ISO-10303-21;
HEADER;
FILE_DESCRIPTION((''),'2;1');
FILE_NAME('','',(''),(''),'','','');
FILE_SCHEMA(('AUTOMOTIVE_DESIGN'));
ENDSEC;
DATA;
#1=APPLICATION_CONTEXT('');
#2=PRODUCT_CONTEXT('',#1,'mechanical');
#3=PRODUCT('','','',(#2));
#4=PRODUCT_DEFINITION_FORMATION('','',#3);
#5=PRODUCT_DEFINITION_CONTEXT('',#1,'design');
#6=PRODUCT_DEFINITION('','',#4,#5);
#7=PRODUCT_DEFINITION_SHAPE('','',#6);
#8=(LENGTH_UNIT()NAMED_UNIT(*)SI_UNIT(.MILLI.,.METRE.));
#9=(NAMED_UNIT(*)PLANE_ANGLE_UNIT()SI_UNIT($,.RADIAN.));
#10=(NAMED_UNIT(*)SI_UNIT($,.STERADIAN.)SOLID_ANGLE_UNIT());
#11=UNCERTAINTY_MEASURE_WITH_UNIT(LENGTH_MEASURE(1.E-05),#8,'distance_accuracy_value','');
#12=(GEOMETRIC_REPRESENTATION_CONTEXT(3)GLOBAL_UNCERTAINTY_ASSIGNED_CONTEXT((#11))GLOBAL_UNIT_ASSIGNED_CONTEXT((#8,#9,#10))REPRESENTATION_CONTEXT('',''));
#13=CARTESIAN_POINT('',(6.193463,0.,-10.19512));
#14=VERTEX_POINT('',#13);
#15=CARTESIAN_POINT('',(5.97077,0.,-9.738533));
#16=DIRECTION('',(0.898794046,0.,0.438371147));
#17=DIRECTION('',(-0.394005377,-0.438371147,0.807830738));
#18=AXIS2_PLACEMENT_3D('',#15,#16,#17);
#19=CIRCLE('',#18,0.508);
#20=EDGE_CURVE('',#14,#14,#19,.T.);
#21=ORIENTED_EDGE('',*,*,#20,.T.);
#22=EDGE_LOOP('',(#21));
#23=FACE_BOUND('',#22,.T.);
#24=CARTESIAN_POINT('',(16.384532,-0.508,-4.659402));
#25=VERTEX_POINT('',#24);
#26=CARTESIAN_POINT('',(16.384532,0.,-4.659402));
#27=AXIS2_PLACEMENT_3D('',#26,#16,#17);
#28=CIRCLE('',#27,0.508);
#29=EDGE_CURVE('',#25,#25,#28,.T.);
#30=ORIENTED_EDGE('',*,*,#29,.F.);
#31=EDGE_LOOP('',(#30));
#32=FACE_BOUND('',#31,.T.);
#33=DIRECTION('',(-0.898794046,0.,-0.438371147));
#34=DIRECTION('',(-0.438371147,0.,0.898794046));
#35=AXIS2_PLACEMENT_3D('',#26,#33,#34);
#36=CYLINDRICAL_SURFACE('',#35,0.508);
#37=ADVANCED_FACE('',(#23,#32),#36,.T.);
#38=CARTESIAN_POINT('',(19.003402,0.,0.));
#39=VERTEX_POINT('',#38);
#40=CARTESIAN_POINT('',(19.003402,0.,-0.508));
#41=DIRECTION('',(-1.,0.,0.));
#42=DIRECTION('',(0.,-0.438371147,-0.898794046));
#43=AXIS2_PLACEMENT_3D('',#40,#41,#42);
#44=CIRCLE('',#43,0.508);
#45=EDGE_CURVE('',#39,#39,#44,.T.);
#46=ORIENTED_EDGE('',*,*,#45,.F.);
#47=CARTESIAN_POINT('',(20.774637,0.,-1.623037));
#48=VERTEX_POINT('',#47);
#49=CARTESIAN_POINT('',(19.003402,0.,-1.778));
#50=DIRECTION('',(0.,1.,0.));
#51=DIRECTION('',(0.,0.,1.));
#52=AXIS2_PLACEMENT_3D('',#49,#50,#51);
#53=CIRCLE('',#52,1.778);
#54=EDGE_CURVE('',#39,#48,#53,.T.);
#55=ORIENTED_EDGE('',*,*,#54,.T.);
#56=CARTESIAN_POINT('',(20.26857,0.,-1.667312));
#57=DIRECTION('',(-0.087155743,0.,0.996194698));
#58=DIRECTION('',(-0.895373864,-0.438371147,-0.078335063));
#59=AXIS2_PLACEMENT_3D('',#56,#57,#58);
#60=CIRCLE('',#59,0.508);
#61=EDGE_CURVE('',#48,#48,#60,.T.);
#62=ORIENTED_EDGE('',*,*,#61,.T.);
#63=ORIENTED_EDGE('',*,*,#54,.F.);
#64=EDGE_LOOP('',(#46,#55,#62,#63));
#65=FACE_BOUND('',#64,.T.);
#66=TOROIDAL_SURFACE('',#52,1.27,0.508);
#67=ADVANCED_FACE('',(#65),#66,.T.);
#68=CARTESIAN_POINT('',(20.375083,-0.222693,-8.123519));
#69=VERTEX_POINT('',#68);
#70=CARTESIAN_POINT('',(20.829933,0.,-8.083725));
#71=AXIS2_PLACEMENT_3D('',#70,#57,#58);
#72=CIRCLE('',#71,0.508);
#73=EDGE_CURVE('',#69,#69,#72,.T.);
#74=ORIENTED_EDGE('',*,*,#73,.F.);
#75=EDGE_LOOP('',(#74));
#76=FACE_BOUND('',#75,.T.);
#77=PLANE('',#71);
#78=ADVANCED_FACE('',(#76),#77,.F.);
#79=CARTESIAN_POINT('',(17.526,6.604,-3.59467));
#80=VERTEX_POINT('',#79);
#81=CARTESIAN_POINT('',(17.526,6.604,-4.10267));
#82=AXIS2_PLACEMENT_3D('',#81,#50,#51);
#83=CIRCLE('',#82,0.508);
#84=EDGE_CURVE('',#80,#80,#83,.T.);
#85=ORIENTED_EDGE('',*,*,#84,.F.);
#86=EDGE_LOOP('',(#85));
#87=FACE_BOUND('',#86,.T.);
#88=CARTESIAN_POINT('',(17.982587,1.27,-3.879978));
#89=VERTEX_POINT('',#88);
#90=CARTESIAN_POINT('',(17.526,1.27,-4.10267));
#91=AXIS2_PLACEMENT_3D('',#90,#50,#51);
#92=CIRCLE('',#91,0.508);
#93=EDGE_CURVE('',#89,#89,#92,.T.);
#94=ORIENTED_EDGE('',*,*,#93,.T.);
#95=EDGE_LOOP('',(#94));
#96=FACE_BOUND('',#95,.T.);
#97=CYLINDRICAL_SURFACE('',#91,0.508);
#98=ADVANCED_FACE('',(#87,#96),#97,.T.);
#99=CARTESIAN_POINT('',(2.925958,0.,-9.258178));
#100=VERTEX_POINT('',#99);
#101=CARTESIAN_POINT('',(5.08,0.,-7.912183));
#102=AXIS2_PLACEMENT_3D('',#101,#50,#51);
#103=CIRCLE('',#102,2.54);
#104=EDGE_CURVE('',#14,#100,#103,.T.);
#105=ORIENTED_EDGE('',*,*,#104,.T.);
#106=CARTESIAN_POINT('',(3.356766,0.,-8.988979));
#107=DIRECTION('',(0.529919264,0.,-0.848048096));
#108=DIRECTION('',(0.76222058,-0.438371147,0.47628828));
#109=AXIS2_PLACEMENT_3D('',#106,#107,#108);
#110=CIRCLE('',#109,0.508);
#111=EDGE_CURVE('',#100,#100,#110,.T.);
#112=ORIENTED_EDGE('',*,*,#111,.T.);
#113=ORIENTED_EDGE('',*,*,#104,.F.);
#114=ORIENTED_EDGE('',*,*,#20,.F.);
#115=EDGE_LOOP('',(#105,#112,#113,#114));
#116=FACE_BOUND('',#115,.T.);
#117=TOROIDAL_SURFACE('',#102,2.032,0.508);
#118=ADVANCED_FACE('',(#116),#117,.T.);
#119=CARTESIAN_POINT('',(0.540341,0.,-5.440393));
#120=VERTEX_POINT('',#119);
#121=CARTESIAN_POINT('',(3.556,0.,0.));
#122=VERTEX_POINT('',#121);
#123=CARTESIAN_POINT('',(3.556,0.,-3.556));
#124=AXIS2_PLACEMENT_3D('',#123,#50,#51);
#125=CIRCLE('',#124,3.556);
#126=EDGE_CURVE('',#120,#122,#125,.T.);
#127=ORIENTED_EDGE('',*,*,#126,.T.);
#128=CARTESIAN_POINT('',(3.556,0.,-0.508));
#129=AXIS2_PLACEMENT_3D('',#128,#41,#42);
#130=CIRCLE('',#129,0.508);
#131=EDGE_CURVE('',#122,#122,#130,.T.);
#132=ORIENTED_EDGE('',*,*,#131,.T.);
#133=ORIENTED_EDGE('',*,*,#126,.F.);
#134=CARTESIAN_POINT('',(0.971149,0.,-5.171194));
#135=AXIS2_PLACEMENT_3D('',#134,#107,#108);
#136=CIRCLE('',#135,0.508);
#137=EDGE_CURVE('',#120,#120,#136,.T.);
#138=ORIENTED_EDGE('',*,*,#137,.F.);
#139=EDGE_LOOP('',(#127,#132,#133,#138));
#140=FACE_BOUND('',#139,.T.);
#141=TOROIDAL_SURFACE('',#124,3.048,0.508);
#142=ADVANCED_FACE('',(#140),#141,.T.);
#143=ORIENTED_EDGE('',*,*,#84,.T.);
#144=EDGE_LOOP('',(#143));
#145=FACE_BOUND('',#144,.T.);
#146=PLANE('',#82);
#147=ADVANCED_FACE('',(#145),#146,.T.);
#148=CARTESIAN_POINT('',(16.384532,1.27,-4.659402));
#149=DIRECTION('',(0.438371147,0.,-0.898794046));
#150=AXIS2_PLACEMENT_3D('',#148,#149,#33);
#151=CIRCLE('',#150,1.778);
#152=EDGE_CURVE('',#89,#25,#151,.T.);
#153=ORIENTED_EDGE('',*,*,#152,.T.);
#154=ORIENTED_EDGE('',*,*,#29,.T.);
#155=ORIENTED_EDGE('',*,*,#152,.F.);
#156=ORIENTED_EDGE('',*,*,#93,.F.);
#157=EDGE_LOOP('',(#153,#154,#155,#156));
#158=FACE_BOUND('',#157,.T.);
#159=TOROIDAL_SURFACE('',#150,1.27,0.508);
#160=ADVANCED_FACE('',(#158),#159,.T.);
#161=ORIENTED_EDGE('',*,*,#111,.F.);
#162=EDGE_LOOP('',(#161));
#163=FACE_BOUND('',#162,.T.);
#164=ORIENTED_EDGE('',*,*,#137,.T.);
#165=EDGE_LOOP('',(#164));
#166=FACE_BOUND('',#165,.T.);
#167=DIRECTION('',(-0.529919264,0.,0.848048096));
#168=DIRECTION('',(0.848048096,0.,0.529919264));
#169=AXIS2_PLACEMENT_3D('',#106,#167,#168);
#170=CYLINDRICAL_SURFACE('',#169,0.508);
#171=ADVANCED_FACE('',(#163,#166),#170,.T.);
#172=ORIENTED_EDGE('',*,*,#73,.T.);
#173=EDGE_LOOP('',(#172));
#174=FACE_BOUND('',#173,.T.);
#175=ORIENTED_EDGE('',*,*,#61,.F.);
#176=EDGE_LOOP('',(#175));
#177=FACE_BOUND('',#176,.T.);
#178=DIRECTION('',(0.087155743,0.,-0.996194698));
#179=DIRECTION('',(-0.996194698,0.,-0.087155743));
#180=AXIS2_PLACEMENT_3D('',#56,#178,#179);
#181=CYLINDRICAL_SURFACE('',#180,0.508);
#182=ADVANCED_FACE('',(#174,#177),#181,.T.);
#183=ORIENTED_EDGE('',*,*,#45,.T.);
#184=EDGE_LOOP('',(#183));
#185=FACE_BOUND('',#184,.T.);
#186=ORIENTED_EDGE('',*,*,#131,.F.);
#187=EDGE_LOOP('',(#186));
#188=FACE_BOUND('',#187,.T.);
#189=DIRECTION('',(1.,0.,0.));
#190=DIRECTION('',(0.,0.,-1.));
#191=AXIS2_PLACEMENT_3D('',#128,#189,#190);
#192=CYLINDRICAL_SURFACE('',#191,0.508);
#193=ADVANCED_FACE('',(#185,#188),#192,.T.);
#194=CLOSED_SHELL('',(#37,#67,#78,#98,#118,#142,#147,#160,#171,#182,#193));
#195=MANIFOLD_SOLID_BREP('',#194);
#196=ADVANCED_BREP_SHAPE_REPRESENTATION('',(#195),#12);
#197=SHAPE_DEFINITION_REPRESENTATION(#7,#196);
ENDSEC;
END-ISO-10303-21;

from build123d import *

# Parameters (mm, degrees)
SKETCH4_R = 0.508


with BuildPart() as part:
    # Sweep1: sweep along a curve in space
    with BuildLine() as sweep1_path:
        Line((17.526, 6.604, -4.102670361), (17.526, 1.27, -4.102670361))
        ThreePointArc((17.526, 1.27, -4.102670361), (17.191671635, 0.371974388, -4.2657332), (16.384531561, 0, -4.659401718))
        Line((16.384531561, 0, -4.659401718), (5.97077017, 0, -9.738532518))
        ThreePointArc((5.97077017, 0, -9.738532518), (4.519904893, 0, -9.865466782), (3.356766269, 0, -8.988978961))
        Line((3.356766269, 0, -8.988978961), (0.971149403, 0, -5.171193917))
        ThreePointArc((0.971149403, 0, -5.171193917), (0.890159133, 0, -2.078300277), (3.556, 0, -0.508))
        Line((3.556, 0, -0.508), (19.003402457, 0, -0.508))
        ThreePointArc((19.003402457, 0, -0.508), (19.861402021, 0, -0.841657782), (20.268569724, 0, -1.667312207))
        Line((20.268569724, 0, -1.667312207), (20.829933093, 0, -8.083724883))
    # Sketch4 → Sweep1 (sweep)
    with BuildSketch(Plane(origin=(0, 6.604, 0), x_dir=(1, 0, 0), z_dir=(0, 1, 0))):
        with Locations((17.526, 4.102670361)):
            Circle(SKETCH4_R)
    sweep(path=sweep1_path.line)


solid = part.part
